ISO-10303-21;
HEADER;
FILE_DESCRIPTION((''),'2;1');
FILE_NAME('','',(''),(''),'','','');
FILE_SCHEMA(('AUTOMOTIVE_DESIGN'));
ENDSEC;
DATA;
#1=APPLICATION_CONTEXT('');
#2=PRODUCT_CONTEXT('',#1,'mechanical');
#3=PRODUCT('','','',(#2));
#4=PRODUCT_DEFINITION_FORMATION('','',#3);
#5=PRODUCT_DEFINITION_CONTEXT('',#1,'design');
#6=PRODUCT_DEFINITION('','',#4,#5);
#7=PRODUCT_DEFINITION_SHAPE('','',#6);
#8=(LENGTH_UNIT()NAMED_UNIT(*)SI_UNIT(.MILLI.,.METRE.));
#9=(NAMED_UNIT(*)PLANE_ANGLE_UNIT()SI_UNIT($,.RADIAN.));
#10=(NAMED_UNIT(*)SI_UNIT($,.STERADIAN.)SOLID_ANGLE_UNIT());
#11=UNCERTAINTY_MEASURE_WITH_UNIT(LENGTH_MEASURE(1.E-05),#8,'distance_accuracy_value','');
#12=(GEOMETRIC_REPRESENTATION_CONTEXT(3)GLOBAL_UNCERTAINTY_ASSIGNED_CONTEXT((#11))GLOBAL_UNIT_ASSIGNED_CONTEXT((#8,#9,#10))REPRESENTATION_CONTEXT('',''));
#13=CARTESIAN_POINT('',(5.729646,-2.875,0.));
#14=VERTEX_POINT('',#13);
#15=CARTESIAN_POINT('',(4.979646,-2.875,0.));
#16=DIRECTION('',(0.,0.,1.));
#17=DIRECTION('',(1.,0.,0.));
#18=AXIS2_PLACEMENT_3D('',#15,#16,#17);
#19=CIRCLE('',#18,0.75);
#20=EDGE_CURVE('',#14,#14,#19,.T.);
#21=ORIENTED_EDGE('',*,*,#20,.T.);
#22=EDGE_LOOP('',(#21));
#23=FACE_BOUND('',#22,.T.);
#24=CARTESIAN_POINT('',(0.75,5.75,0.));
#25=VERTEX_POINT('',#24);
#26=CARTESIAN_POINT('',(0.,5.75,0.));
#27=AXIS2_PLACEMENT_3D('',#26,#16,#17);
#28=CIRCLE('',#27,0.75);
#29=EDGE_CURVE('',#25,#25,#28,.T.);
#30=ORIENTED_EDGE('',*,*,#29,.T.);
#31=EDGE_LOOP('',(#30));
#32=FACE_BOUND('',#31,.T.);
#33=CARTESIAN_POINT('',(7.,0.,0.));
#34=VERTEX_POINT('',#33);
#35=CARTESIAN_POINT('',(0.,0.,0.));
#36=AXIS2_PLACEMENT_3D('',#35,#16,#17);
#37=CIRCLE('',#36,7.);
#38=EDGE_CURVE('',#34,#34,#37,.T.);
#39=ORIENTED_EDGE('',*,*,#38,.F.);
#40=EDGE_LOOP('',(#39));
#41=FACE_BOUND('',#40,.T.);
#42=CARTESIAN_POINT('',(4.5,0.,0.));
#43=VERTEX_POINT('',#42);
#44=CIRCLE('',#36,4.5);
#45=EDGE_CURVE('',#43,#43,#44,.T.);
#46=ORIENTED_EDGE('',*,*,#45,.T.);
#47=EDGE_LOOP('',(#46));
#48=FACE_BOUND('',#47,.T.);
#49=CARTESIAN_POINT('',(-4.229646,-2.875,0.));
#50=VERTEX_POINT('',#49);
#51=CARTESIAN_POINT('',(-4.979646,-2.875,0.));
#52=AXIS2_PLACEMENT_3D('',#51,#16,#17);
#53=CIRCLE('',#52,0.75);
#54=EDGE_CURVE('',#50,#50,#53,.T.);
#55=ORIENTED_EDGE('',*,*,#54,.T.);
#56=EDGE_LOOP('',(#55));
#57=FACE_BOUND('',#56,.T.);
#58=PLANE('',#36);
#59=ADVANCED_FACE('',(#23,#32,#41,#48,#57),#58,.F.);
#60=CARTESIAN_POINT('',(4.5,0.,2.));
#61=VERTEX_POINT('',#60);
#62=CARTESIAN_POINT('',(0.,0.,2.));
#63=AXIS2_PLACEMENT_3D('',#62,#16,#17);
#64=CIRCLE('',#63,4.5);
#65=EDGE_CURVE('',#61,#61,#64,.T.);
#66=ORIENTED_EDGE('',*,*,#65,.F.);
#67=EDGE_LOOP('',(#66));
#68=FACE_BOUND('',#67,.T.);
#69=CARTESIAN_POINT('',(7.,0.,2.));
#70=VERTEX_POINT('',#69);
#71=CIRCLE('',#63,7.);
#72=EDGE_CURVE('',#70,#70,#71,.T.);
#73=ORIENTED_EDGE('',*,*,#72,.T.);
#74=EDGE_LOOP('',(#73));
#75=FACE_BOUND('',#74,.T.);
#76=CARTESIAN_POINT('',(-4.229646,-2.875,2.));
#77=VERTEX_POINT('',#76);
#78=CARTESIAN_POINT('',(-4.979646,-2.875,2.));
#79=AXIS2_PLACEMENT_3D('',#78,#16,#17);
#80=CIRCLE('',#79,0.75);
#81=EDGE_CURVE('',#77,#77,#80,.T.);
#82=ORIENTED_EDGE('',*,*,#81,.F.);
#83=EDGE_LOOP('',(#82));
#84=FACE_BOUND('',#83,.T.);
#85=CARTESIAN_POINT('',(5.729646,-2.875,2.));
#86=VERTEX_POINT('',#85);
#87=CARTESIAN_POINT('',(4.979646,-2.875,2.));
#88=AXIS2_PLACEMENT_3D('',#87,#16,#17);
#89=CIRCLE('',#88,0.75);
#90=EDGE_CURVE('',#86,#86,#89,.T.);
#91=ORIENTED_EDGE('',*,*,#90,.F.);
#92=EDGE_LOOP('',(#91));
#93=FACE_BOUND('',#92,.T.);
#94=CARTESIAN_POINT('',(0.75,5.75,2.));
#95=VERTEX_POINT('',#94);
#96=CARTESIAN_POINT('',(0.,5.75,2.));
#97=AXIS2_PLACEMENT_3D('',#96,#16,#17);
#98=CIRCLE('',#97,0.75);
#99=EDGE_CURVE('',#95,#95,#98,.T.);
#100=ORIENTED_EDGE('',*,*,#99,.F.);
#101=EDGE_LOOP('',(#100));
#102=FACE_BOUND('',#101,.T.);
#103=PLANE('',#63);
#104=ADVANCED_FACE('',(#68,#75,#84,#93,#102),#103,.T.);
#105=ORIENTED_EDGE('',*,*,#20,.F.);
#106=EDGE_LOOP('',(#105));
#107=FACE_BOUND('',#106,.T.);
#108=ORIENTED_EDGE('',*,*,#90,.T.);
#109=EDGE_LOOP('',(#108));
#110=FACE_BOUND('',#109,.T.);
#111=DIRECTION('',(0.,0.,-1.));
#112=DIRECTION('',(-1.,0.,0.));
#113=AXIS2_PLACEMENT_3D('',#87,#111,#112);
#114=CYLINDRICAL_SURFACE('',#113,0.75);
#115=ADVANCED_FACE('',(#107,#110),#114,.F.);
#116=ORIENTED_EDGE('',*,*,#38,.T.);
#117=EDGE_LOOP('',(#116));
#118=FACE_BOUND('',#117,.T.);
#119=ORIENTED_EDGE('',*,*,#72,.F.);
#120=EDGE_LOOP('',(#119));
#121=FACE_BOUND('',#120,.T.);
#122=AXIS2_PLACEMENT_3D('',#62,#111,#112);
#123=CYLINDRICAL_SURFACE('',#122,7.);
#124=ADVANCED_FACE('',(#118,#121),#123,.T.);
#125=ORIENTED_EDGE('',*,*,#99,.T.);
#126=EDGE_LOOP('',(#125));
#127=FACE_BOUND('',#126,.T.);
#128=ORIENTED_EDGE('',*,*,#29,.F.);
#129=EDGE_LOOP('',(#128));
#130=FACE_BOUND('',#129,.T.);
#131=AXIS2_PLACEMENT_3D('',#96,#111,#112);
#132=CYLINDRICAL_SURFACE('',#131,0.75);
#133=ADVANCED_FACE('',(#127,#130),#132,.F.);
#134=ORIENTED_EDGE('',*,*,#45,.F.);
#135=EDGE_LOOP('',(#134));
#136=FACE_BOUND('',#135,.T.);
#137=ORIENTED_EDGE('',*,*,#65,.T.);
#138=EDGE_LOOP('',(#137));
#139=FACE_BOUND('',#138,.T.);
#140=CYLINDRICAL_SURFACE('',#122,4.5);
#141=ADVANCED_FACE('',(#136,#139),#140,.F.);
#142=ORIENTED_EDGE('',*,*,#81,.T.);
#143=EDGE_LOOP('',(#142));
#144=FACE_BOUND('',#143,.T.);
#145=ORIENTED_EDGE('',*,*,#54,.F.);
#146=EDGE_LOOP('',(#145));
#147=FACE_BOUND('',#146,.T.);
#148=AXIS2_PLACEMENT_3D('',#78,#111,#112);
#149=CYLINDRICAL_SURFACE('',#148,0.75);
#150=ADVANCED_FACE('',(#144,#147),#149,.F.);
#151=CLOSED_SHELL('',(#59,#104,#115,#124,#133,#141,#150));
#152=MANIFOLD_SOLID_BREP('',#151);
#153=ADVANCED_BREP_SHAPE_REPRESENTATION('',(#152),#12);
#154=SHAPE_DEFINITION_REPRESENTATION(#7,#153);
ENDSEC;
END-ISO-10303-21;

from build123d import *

# Parameters (mm, degrees)
SKETCH_2_R      = 7
SKETCH_2_R_2    = 4.5
SKETCH_2_R_3    = 0.75
EXTRUDE_1_DEPTH = 2


with BuildPart() as part:
    # 草圖2 → 填料-伸長1 (new body)
    with BuildSketch(Plane.XY):
        Circle(SKETCH_2_R)
        Circle(SKETCH_2_R_2, mode=Mode.SUBTRACT)
        with Locations((0, 5.75)):
            Circle(SKETCH_2_R_3, mode=Mode.SUBTRACT)
        with Locations((4.979646072, -2.875)):
            Circle(SKETCH_2_R_3, mode=Mode.SUBTRACT)
        with Locations((-4.979646072, -2.875)):
            Circle(SKETCH_2_R_3, mode=Mode.SUBTRACT)
    extrude(amount=EXTRUDE_1_DEPTH)


solid = part.part
